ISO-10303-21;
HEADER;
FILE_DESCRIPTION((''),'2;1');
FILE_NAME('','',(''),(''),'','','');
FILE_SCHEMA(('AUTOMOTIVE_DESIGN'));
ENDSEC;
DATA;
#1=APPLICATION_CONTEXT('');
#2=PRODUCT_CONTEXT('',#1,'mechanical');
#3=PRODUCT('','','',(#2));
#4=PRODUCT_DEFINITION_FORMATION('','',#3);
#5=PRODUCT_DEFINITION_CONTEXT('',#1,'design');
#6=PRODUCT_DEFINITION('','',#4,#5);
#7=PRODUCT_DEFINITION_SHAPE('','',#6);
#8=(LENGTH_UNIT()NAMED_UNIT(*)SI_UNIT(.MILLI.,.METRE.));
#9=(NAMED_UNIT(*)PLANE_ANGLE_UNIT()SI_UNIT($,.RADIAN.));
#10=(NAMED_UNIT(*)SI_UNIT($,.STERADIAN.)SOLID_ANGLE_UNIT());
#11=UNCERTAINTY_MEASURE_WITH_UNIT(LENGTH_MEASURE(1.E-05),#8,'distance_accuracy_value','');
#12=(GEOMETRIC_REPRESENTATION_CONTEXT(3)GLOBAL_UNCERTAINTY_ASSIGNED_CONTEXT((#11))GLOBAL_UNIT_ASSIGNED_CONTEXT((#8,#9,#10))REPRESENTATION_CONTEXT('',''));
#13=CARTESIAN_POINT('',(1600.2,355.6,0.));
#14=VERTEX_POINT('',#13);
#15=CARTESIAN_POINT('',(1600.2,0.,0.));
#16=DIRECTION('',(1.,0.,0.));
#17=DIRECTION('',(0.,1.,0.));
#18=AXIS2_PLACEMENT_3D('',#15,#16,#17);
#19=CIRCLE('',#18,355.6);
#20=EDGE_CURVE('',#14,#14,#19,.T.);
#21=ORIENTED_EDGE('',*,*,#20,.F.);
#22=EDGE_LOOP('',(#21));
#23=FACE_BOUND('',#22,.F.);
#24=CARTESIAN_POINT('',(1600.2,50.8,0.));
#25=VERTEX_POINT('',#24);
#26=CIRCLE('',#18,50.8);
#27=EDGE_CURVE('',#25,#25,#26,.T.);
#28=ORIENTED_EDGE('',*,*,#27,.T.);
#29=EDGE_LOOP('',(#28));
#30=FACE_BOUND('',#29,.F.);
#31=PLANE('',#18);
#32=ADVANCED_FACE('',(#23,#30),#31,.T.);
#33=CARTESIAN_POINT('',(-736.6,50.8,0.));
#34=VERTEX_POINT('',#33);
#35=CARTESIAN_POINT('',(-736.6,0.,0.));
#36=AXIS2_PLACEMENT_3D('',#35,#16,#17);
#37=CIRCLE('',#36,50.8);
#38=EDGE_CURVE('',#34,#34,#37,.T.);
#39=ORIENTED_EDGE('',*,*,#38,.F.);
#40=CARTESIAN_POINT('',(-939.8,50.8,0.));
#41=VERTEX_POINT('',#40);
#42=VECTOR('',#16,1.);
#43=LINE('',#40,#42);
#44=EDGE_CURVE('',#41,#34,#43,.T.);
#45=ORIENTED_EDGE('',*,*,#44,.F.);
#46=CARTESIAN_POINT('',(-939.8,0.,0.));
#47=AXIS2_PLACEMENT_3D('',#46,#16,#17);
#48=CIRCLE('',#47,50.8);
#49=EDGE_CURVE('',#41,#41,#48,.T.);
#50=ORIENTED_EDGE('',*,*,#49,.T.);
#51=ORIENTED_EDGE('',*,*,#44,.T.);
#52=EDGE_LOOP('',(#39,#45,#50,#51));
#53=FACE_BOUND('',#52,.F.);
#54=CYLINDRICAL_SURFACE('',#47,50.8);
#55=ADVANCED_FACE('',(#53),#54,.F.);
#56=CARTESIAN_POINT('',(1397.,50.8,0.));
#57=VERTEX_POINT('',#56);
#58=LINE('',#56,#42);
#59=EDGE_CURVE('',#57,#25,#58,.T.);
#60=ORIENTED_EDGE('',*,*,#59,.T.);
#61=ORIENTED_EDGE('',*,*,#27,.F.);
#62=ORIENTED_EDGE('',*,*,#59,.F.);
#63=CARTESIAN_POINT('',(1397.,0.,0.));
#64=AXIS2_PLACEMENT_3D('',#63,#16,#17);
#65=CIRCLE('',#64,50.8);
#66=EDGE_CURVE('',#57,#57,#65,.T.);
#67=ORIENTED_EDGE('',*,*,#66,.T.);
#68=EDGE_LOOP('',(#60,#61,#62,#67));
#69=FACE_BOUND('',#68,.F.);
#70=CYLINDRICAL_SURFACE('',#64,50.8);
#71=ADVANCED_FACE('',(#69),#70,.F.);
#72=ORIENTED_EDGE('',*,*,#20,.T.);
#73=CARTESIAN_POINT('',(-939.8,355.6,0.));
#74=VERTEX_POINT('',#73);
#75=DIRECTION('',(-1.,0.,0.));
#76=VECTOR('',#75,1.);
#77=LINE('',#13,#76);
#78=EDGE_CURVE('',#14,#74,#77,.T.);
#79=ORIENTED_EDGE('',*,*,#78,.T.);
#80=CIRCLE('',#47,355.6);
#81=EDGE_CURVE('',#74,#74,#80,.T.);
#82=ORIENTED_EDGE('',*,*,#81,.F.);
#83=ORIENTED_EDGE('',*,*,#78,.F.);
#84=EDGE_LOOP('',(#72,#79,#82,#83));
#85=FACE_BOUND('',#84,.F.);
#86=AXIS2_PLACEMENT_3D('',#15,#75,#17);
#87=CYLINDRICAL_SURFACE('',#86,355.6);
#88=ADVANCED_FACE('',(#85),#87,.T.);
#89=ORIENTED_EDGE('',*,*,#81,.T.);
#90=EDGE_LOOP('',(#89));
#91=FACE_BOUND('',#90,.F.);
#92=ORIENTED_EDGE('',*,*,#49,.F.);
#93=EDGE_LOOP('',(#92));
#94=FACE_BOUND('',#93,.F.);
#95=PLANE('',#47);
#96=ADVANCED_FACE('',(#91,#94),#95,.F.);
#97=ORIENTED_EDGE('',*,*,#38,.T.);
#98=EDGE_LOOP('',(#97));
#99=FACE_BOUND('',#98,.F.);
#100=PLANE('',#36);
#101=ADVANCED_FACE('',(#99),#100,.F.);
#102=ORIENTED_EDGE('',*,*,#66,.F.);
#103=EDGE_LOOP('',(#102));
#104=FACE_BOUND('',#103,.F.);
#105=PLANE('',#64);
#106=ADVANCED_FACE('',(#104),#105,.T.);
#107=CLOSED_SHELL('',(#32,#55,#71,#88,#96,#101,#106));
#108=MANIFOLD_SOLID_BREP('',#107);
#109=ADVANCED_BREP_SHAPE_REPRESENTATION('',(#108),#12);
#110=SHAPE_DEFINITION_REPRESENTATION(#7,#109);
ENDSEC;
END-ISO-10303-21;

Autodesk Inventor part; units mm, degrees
ref_plane "YZ Plane" through (0, 0, 0) normal (1, 0, 0) x (0, 1, 0)
ref_plane "XZ Plane" through (0, 0, 0) normal (0, 1, 0) x (-1, 0, 0)
ref_plane "XY Plane" through (0, 0, 0) normal (0, 0, 1) x (1, 0, 0)
sketch "Sketch1" plane through (0, 0, 0) normal (0, 0, 1) x (1, 0, 0)
  line L0 (-939.8, 355.6) -> (-939.8, 50.8)
  line L1 (-939.8, 50.8) -> (-736.6, 50.8)
  line L2 (-736.6, 50.8) -> (-736.6, 0)
  line L3 (-736.6, 0) -> (1397, 0)
  line L4 (1397, 0) -> (1397, 50.8)
  line L5 (1397, 50.8) -> (1600.2, 50.8)
  line L6 (1600.2, 50.8) -> (1600.2, 355.6)
  line L7 (1600.2, 355.6) -> (-939.8, 355.6)
  line L8 (330.2, 355.6) -> (330.2, 0) construction
  line L9 (1397, -50.8) -> (1397, 50.8) construction
  line L10 (-736.6, -50.8) -> (-736.6, 50.8) construction
  line L11 (1397, 50.8) -> (1651, 50.8) construction
  line L12 (1651, -12.7187) -> (1651, 85.4194) construction
  line L13 (-737.4384, -17394.9442) -> (1396.1616, -17394.9442)
  point P0 (-736.6, 0)
  dimension "d1" = 711.2
  dimension "d5" = 50.8
revolve "Revolution1" add sketch "Sketch1" angle 360 about axis through (-736.6, 0, 0) along (1, 0, 0)
properties part number "BearingCJE" material "Steel, Alloy"
